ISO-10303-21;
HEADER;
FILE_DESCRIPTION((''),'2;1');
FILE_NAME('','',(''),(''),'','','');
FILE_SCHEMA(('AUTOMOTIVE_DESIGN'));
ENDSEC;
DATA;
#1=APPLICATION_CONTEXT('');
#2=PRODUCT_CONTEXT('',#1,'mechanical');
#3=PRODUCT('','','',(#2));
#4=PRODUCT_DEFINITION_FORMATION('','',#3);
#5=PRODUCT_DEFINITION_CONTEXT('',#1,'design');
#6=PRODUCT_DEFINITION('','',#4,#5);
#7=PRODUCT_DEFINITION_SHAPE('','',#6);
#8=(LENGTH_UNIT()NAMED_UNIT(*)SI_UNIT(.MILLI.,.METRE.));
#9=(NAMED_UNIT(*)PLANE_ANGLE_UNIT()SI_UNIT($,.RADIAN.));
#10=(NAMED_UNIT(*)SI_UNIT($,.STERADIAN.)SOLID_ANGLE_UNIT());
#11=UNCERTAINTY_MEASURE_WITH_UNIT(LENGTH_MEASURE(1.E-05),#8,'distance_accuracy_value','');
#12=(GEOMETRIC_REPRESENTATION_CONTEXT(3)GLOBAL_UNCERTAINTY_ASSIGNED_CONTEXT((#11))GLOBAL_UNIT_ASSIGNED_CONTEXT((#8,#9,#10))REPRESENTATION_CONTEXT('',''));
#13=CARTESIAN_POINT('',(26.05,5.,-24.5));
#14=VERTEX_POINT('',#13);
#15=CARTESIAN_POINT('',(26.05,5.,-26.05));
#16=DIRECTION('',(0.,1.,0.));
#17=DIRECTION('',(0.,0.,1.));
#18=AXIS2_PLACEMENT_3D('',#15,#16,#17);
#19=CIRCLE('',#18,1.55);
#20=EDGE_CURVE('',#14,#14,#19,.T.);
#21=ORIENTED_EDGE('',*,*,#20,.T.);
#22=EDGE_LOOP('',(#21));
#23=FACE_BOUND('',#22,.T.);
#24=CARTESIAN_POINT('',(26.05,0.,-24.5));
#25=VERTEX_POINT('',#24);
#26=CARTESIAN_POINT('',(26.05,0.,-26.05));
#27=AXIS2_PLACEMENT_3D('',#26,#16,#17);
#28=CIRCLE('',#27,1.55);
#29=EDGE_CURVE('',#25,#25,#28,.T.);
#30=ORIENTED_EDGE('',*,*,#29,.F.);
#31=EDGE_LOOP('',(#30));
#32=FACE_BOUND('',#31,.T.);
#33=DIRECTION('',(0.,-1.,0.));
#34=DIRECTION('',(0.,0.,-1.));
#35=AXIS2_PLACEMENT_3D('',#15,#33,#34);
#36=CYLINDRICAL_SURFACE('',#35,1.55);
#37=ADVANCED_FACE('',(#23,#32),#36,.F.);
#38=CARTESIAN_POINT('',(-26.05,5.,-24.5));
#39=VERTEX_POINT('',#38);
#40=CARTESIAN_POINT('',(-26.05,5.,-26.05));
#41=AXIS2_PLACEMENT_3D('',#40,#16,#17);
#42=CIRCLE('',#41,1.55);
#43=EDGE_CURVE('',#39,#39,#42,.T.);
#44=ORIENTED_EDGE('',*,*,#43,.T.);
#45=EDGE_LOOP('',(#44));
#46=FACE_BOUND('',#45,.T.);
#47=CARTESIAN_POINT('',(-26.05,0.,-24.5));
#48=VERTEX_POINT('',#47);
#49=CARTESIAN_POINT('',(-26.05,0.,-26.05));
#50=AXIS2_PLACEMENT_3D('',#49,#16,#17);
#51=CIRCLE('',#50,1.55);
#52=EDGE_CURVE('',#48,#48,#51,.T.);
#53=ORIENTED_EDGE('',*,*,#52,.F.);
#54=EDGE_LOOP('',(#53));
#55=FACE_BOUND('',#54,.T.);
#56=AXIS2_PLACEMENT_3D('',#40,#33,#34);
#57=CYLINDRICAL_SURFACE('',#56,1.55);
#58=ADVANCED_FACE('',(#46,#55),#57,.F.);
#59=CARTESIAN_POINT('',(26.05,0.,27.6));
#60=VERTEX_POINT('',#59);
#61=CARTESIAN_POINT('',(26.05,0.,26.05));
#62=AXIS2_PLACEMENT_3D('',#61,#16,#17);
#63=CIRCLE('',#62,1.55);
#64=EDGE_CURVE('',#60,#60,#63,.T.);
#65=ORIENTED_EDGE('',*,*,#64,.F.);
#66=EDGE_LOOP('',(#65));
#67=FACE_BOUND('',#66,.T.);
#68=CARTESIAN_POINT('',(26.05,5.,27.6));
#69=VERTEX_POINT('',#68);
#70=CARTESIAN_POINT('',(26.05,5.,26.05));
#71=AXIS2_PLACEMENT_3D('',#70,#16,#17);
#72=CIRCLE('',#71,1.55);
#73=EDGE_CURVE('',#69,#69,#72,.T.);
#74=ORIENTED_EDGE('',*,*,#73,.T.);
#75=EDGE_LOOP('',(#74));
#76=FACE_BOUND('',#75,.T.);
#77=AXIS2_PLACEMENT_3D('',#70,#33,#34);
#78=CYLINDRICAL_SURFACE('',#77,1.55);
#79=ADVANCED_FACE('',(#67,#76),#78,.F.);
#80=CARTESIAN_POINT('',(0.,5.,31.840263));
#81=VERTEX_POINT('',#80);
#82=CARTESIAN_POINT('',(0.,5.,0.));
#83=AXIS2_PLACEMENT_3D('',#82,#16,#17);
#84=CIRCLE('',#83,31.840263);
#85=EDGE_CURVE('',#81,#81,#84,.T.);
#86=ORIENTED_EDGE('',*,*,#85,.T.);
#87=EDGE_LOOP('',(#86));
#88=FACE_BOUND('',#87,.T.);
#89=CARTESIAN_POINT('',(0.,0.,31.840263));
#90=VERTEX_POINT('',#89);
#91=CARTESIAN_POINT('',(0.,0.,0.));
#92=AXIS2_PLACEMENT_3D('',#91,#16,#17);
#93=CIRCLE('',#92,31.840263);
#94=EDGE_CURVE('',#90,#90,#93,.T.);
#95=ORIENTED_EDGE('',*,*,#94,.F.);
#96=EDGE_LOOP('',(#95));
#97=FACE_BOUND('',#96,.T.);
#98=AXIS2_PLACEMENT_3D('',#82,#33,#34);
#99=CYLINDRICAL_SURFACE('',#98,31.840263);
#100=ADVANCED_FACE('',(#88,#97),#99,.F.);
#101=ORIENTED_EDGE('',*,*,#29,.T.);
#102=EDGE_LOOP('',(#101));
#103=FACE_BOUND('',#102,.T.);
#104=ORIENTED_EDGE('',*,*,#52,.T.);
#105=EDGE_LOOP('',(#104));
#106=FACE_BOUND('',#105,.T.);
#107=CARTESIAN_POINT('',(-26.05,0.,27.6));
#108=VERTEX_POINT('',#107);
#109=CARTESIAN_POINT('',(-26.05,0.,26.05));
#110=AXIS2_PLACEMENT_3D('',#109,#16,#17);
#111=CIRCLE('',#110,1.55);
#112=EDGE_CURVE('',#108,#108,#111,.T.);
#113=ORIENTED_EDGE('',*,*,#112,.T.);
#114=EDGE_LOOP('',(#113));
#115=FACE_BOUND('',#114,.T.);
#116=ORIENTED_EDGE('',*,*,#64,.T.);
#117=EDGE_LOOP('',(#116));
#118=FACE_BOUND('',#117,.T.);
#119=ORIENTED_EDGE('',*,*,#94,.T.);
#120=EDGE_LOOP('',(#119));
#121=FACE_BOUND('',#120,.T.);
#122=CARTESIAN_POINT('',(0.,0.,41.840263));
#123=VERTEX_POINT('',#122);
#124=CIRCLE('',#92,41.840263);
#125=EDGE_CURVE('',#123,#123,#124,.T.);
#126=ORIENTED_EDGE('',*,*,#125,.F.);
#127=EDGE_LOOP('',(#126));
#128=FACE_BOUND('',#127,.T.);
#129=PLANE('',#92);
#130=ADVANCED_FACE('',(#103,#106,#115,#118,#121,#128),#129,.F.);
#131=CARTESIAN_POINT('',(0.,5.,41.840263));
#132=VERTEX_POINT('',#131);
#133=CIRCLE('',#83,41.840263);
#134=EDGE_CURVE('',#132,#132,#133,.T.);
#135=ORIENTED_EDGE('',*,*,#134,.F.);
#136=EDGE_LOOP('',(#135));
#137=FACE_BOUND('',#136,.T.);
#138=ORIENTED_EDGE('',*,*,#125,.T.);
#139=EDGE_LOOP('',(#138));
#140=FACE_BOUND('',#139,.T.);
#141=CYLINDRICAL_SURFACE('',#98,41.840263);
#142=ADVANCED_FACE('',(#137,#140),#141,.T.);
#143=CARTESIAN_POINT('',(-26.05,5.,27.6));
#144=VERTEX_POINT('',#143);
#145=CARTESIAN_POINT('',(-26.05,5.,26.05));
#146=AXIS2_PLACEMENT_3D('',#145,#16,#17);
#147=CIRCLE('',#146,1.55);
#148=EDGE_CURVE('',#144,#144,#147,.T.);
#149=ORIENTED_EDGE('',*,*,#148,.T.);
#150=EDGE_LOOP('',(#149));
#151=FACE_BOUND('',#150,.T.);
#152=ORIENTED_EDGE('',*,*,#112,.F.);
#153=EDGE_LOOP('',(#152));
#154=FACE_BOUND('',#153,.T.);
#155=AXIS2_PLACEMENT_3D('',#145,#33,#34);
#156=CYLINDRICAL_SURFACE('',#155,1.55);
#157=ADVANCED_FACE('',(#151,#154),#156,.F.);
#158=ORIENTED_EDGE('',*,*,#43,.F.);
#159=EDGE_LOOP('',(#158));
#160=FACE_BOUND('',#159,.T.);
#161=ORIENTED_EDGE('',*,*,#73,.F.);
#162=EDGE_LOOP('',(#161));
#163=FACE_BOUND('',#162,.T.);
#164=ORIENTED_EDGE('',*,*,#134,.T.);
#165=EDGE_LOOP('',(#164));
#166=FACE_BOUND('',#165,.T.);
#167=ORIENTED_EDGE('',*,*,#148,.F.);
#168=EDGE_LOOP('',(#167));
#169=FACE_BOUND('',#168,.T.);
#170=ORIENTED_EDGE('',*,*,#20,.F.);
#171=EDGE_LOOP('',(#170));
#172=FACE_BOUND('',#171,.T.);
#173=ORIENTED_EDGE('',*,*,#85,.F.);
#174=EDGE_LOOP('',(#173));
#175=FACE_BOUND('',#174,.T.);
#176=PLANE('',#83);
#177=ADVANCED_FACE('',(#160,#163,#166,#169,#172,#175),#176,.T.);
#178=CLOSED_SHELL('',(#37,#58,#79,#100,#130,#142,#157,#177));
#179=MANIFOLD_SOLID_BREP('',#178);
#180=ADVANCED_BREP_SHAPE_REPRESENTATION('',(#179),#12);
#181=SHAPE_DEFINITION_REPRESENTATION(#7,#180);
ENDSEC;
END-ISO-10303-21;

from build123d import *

# Parameters (mm, degrees)
CROQUIS1_R              = 41.8402633
CROQUIS1_R_2            = 1.55
CROQUIS1_R_3            = 31.8402633
SALIENTE_EXTRUIR1_DEPTH = 5


with BuildPart() as part:
    # Croquis1 → Saliente-Extruir1 (new body)
    with BuildSketch(Plane(origin=(0, 0, 0), x_dir=(1, 0, 0), z_dir=(0, 1, 0))):
        Circle(CROQUIS1_R)
        with Locations((-26.05, 26.05)):
            Circle(CROQUIS1_R_2, mode=Mode.SUBTRACT)
        Circle(CROQUIS1_R_3, mode=Mode.SUBTRACT)
        with Locations((26.05, 26.05)):
            Circle(CROQUIS1_R_2, mode=Mode.SUBTRACT)
        with Locations((26.05, -26.05)):
            Circle(CROQUIS1_R_2, mode=Mode.SUBTRACT)
        with Locations((-26.05, -26.05)):
            Circle(CROQUIS1_R_2, mode=Mode.SUBTRACT)
    extrude(amount=SALIENTE_EXTRUIR1_DEPTH)


solid = part.part
